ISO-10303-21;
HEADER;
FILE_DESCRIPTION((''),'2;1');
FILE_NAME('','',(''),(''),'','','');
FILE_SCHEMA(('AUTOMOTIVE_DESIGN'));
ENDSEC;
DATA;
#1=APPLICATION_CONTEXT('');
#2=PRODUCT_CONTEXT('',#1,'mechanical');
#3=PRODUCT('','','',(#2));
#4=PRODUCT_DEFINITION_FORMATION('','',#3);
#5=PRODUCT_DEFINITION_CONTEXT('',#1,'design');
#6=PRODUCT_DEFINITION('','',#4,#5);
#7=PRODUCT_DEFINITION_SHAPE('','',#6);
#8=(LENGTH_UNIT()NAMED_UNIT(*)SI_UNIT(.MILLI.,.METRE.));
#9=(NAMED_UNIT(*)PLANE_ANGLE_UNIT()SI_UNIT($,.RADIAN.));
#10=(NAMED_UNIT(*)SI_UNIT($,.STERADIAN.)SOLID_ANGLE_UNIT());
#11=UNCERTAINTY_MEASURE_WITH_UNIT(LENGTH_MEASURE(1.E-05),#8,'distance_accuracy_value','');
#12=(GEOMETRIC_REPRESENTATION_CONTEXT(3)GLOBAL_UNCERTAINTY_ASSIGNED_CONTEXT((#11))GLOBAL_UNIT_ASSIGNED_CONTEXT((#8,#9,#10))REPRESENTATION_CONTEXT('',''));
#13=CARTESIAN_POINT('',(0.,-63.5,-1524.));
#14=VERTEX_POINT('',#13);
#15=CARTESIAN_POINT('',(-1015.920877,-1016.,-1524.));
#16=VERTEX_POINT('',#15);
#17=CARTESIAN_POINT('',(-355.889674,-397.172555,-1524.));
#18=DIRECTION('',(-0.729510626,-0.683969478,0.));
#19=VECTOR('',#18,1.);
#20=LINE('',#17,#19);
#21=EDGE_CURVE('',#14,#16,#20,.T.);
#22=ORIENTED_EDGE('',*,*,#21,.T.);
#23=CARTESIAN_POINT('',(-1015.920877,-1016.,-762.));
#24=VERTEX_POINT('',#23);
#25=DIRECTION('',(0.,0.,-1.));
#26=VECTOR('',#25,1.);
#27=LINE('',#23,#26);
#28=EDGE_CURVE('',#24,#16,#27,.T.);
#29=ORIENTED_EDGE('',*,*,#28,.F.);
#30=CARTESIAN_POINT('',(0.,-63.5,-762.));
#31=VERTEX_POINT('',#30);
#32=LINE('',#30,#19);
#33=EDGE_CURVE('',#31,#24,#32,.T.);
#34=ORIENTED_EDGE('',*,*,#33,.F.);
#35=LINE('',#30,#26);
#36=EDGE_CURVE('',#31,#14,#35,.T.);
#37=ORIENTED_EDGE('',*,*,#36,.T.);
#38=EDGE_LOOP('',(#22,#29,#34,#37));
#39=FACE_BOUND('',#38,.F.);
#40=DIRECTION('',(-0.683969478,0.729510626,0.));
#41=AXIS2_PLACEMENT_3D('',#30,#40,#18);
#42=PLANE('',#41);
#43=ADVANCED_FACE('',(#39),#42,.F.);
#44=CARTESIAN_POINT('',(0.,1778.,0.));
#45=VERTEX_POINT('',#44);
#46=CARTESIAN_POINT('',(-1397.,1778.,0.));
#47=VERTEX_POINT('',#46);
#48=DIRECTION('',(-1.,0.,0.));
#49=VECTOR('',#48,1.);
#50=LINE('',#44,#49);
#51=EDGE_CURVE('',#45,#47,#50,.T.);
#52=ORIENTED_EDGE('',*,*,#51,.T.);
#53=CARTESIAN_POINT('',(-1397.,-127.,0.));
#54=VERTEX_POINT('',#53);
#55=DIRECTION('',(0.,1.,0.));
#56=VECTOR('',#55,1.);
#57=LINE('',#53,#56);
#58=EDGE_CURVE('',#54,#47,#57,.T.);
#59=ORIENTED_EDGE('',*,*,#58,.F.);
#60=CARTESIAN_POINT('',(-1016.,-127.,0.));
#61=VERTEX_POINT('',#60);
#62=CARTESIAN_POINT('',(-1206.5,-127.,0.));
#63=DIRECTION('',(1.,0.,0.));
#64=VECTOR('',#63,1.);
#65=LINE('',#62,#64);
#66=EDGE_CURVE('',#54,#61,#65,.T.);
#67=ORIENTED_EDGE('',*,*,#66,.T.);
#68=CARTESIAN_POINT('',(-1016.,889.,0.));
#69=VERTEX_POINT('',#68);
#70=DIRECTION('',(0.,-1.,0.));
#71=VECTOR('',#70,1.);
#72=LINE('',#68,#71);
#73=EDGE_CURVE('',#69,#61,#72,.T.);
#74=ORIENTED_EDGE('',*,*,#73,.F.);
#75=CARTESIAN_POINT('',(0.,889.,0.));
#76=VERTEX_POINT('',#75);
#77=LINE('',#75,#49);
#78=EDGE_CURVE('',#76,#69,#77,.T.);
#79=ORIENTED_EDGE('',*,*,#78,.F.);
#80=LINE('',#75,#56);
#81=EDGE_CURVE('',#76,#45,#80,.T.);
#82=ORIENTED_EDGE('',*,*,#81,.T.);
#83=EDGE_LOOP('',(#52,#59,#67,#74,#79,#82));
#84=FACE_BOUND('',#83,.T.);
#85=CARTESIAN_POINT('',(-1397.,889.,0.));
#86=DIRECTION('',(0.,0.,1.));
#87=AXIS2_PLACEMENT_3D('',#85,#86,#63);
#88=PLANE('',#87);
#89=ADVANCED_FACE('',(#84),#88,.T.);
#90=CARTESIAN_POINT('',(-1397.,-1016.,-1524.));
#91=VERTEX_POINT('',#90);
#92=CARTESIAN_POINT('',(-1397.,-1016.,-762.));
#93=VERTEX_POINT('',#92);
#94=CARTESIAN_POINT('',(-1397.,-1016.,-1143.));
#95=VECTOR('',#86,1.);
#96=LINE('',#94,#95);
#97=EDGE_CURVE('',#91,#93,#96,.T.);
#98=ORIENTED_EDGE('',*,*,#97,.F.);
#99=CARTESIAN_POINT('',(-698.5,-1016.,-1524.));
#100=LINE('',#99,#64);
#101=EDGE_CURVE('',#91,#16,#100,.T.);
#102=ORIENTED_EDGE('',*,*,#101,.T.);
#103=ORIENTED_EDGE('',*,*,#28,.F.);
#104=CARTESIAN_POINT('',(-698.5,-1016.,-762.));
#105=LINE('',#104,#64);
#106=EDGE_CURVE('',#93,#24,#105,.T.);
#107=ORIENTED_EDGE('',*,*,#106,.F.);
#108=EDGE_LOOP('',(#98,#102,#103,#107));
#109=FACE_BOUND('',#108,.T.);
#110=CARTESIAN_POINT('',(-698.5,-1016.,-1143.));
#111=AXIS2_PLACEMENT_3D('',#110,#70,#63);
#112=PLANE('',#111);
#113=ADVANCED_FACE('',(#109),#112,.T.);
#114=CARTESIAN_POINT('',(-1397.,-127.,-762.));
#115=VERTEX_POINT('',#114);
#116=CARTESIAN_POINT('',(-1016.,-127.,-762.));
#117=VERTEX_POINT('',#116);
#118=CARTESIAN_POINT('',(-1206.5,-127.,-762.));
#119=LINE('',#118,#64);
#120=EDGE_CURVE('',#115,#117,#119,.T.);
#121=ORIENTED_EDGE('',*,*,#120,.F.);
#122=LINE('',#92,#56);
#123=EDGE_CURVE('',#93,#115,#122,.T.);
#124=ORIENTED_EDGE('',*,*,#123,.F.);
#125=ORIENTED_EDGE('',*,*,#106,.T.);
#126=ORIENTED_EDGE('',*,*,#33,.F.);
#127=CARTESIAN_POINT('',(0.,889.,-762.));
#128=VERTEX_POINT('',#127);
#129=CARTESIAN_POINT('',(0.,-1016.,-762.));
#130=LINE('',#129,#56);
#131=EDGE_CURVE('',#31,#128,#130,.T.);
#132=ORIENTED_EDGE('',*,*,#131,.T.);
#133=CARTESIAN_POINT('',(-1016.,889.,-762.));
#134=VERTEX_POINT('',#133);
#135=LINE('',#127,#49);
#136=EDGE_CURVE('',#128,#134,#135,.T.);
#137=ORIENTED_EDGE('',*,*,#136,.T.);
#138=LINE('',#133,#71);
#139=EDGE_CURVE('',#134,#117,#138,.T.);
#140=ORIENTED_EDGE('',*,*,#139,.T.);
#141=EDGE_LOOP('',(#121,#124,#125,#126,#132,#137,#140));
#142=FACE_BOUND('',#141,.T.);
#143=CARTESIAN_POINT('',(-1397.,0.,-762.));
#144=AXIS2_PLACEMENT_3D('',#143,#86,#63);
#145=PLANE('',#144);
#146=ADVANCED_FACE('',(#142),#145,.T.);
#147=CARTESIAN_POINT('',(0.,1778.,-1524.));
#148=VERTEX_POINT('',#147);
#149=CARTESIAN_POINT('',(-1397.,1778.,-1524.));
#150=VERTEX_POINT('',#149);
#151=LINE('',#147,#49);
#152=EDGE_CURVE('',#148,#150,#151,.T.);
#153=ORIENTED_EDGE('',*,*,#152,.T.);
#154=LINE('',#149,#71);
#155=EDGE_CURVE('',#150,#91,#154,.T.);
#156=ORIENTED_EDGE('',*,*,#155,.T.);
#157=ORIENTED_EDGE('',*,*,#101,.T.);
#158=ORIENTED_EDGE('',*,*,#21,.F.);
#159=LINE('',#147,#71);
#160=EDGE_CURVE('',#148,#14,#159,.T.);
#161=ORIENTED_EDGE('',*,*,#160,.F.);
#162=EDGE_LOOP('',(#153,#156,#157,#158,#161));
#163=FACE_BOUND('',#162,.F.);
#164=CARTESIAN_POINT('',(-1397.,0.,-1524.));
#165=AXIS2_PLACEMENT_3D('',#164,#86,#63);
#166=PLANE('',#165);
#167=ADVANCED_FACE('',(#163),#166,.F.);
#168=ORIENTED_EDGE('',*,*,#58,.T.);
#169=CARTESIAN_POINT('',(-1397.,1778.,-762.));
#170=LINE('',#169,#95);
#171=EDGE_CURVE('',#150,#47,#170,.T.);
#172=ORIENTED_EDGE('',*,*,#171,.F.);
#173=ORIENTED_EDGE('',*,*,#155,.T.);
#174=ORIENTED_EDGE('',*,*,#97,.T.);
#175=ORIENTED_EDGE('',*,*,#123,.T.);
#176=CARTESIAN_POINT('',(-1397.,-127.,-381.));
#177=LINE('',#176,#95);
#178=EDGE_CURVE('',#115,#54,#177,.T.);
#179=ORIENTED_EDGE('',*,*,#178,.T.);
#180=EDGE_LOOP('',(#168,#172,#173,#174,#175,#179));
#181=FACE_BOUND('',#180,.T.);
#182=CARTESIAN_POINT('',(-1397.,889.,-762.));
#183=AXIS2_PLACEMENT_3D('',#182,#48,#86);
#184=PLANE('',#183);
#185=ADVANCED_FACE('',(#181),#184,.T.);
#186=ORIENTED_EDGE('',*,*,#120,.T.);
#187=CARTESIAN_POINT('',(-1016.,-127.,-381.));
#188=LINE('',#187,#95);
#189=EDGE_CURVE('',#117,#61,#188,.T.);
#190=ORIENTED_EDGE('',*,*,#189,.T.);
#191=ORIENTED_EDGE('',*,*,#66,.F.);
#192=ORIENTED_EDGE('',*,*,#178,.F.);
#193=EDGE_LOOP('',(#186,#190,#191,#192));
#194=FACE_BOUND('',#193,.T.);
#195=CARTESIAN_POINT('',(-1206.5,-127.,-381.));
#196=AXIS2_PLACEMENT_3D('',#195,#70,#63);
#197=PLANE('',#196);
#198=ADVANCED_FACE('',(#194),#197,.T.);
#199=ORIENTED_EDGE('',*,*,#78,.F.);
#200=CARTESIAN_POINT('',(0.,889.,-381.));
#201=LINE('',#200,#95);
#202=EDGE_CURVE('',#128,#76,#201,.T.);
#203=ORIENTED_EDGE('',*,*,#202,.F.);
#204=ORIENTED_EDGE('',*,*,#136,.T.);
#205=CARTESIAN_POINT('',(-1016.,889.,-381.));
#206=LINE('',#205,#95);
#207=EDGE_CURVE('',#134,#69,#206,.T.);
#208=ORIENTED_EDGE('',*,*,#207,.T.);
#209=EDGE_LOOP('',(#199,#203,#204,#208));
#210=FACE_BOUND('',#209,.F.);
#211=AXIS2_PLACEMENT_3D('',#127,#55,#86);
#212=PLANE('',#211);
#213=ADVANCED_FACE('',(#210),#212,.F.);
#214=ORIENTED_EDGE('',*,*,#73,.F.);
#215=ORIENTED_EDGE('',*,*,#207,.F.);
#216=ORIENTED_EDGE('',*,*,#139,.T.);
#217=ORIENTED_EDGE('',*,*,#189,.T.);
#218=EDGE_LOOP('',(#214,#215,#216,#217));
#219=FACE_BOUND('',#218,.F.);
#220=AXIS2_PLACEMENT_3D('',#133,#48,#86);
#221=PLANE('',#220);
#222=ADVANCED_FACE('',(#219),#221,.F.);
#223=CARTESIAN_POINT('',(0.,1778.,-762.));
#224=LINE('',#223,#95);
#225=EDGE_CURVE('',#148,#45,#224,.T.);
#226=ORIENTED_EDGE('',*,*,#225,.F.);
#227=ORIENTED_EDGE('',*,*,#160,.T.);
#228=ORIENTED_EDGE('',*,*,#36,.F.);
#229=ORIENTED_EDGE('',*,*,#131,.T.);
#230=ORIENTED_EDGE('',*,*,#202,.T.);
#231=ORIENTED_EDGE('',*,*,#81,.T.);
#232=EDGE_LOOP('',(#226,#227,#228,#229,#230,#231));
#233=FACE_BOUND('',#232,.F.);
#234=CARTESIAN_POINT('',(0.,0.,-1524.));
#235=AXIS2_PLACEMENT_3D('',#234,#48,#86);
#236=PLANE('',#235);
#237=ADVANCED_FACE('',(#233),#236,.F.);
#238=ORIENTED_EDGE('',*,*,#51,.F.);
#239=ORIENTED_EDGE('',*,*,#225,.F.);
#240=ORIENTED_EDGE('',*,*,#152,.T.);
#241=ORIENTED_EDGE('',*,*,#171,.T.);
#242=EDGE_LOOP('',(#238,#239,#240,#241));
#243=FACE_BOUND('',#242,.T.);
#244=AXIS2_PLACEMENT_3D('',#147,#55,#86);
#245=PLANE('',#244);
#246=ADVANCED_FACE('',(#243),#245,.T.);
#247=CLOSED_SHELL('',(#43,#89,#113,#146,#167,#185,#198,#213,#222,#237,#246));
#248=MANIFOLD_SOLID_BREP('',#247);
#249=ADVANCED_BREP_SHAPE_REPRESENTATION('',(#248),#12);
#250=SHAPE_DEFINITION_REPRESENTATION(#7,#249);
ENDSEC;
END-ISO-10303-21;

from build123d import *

# Parameters (mm, degrees)
F0_W     = 1778
F0_H     = 1524
F2_DEPTH = 1397
F1_W     = 889
F1_H     = 762
F3_DEPTH = 1755.14
F4_W     = 1397
F4_H     = 762
F5_DEPTH = 1016
F7_DEPTH = 1226.82
F8_W     = 381
F8_H     = 762
F9_DEPTH = 1016


with BuildPart() as f2:
    # F0 (on Right) → F2 (new body)
    with BuildSketch(Plane.YZ):
        with Locations((889, -762)):
            Rectangle(F0_W, F0_H)
    extrude(amount=-F2_DEPTH)

    # F1 (on face) → F3 (cut)
    with BuildSketch(Plane.YZ):
        with Locations((444.5, -381)):
            Rectangle(F1_W, F1_H)
    extrude(amount=-F3_DEPTH, mode=Mode.SUBTRACT)

    # F4 (on face) → F5 (join)
    with BuildSketch(Plane.XZ):
        with Locations((-698.5, -1143)):
            Rectangle(F4_W, F4_H)
    extrude(amount=F5_DEPTH)

    # F6 (on face) → F7 (cut)
    with BuildSketch(Plane.XY.offset(-762)):
        Polygon((0, -1016), (0, -63.5), (-1015.920877, -1016), align=None)
    extrude(amount=-F7_DEPTH, mode=Mode.SUBTRACT)

    # F8 (on face) → F9 (join)
    with BuildSketch(Plane.XZ.offset(-889)):
        with Locations((-1206.5, -381)):
            Rectangle(F8_W, F8_H)
    extrude(amount=F9_DEPTH)


solid = f2.part
